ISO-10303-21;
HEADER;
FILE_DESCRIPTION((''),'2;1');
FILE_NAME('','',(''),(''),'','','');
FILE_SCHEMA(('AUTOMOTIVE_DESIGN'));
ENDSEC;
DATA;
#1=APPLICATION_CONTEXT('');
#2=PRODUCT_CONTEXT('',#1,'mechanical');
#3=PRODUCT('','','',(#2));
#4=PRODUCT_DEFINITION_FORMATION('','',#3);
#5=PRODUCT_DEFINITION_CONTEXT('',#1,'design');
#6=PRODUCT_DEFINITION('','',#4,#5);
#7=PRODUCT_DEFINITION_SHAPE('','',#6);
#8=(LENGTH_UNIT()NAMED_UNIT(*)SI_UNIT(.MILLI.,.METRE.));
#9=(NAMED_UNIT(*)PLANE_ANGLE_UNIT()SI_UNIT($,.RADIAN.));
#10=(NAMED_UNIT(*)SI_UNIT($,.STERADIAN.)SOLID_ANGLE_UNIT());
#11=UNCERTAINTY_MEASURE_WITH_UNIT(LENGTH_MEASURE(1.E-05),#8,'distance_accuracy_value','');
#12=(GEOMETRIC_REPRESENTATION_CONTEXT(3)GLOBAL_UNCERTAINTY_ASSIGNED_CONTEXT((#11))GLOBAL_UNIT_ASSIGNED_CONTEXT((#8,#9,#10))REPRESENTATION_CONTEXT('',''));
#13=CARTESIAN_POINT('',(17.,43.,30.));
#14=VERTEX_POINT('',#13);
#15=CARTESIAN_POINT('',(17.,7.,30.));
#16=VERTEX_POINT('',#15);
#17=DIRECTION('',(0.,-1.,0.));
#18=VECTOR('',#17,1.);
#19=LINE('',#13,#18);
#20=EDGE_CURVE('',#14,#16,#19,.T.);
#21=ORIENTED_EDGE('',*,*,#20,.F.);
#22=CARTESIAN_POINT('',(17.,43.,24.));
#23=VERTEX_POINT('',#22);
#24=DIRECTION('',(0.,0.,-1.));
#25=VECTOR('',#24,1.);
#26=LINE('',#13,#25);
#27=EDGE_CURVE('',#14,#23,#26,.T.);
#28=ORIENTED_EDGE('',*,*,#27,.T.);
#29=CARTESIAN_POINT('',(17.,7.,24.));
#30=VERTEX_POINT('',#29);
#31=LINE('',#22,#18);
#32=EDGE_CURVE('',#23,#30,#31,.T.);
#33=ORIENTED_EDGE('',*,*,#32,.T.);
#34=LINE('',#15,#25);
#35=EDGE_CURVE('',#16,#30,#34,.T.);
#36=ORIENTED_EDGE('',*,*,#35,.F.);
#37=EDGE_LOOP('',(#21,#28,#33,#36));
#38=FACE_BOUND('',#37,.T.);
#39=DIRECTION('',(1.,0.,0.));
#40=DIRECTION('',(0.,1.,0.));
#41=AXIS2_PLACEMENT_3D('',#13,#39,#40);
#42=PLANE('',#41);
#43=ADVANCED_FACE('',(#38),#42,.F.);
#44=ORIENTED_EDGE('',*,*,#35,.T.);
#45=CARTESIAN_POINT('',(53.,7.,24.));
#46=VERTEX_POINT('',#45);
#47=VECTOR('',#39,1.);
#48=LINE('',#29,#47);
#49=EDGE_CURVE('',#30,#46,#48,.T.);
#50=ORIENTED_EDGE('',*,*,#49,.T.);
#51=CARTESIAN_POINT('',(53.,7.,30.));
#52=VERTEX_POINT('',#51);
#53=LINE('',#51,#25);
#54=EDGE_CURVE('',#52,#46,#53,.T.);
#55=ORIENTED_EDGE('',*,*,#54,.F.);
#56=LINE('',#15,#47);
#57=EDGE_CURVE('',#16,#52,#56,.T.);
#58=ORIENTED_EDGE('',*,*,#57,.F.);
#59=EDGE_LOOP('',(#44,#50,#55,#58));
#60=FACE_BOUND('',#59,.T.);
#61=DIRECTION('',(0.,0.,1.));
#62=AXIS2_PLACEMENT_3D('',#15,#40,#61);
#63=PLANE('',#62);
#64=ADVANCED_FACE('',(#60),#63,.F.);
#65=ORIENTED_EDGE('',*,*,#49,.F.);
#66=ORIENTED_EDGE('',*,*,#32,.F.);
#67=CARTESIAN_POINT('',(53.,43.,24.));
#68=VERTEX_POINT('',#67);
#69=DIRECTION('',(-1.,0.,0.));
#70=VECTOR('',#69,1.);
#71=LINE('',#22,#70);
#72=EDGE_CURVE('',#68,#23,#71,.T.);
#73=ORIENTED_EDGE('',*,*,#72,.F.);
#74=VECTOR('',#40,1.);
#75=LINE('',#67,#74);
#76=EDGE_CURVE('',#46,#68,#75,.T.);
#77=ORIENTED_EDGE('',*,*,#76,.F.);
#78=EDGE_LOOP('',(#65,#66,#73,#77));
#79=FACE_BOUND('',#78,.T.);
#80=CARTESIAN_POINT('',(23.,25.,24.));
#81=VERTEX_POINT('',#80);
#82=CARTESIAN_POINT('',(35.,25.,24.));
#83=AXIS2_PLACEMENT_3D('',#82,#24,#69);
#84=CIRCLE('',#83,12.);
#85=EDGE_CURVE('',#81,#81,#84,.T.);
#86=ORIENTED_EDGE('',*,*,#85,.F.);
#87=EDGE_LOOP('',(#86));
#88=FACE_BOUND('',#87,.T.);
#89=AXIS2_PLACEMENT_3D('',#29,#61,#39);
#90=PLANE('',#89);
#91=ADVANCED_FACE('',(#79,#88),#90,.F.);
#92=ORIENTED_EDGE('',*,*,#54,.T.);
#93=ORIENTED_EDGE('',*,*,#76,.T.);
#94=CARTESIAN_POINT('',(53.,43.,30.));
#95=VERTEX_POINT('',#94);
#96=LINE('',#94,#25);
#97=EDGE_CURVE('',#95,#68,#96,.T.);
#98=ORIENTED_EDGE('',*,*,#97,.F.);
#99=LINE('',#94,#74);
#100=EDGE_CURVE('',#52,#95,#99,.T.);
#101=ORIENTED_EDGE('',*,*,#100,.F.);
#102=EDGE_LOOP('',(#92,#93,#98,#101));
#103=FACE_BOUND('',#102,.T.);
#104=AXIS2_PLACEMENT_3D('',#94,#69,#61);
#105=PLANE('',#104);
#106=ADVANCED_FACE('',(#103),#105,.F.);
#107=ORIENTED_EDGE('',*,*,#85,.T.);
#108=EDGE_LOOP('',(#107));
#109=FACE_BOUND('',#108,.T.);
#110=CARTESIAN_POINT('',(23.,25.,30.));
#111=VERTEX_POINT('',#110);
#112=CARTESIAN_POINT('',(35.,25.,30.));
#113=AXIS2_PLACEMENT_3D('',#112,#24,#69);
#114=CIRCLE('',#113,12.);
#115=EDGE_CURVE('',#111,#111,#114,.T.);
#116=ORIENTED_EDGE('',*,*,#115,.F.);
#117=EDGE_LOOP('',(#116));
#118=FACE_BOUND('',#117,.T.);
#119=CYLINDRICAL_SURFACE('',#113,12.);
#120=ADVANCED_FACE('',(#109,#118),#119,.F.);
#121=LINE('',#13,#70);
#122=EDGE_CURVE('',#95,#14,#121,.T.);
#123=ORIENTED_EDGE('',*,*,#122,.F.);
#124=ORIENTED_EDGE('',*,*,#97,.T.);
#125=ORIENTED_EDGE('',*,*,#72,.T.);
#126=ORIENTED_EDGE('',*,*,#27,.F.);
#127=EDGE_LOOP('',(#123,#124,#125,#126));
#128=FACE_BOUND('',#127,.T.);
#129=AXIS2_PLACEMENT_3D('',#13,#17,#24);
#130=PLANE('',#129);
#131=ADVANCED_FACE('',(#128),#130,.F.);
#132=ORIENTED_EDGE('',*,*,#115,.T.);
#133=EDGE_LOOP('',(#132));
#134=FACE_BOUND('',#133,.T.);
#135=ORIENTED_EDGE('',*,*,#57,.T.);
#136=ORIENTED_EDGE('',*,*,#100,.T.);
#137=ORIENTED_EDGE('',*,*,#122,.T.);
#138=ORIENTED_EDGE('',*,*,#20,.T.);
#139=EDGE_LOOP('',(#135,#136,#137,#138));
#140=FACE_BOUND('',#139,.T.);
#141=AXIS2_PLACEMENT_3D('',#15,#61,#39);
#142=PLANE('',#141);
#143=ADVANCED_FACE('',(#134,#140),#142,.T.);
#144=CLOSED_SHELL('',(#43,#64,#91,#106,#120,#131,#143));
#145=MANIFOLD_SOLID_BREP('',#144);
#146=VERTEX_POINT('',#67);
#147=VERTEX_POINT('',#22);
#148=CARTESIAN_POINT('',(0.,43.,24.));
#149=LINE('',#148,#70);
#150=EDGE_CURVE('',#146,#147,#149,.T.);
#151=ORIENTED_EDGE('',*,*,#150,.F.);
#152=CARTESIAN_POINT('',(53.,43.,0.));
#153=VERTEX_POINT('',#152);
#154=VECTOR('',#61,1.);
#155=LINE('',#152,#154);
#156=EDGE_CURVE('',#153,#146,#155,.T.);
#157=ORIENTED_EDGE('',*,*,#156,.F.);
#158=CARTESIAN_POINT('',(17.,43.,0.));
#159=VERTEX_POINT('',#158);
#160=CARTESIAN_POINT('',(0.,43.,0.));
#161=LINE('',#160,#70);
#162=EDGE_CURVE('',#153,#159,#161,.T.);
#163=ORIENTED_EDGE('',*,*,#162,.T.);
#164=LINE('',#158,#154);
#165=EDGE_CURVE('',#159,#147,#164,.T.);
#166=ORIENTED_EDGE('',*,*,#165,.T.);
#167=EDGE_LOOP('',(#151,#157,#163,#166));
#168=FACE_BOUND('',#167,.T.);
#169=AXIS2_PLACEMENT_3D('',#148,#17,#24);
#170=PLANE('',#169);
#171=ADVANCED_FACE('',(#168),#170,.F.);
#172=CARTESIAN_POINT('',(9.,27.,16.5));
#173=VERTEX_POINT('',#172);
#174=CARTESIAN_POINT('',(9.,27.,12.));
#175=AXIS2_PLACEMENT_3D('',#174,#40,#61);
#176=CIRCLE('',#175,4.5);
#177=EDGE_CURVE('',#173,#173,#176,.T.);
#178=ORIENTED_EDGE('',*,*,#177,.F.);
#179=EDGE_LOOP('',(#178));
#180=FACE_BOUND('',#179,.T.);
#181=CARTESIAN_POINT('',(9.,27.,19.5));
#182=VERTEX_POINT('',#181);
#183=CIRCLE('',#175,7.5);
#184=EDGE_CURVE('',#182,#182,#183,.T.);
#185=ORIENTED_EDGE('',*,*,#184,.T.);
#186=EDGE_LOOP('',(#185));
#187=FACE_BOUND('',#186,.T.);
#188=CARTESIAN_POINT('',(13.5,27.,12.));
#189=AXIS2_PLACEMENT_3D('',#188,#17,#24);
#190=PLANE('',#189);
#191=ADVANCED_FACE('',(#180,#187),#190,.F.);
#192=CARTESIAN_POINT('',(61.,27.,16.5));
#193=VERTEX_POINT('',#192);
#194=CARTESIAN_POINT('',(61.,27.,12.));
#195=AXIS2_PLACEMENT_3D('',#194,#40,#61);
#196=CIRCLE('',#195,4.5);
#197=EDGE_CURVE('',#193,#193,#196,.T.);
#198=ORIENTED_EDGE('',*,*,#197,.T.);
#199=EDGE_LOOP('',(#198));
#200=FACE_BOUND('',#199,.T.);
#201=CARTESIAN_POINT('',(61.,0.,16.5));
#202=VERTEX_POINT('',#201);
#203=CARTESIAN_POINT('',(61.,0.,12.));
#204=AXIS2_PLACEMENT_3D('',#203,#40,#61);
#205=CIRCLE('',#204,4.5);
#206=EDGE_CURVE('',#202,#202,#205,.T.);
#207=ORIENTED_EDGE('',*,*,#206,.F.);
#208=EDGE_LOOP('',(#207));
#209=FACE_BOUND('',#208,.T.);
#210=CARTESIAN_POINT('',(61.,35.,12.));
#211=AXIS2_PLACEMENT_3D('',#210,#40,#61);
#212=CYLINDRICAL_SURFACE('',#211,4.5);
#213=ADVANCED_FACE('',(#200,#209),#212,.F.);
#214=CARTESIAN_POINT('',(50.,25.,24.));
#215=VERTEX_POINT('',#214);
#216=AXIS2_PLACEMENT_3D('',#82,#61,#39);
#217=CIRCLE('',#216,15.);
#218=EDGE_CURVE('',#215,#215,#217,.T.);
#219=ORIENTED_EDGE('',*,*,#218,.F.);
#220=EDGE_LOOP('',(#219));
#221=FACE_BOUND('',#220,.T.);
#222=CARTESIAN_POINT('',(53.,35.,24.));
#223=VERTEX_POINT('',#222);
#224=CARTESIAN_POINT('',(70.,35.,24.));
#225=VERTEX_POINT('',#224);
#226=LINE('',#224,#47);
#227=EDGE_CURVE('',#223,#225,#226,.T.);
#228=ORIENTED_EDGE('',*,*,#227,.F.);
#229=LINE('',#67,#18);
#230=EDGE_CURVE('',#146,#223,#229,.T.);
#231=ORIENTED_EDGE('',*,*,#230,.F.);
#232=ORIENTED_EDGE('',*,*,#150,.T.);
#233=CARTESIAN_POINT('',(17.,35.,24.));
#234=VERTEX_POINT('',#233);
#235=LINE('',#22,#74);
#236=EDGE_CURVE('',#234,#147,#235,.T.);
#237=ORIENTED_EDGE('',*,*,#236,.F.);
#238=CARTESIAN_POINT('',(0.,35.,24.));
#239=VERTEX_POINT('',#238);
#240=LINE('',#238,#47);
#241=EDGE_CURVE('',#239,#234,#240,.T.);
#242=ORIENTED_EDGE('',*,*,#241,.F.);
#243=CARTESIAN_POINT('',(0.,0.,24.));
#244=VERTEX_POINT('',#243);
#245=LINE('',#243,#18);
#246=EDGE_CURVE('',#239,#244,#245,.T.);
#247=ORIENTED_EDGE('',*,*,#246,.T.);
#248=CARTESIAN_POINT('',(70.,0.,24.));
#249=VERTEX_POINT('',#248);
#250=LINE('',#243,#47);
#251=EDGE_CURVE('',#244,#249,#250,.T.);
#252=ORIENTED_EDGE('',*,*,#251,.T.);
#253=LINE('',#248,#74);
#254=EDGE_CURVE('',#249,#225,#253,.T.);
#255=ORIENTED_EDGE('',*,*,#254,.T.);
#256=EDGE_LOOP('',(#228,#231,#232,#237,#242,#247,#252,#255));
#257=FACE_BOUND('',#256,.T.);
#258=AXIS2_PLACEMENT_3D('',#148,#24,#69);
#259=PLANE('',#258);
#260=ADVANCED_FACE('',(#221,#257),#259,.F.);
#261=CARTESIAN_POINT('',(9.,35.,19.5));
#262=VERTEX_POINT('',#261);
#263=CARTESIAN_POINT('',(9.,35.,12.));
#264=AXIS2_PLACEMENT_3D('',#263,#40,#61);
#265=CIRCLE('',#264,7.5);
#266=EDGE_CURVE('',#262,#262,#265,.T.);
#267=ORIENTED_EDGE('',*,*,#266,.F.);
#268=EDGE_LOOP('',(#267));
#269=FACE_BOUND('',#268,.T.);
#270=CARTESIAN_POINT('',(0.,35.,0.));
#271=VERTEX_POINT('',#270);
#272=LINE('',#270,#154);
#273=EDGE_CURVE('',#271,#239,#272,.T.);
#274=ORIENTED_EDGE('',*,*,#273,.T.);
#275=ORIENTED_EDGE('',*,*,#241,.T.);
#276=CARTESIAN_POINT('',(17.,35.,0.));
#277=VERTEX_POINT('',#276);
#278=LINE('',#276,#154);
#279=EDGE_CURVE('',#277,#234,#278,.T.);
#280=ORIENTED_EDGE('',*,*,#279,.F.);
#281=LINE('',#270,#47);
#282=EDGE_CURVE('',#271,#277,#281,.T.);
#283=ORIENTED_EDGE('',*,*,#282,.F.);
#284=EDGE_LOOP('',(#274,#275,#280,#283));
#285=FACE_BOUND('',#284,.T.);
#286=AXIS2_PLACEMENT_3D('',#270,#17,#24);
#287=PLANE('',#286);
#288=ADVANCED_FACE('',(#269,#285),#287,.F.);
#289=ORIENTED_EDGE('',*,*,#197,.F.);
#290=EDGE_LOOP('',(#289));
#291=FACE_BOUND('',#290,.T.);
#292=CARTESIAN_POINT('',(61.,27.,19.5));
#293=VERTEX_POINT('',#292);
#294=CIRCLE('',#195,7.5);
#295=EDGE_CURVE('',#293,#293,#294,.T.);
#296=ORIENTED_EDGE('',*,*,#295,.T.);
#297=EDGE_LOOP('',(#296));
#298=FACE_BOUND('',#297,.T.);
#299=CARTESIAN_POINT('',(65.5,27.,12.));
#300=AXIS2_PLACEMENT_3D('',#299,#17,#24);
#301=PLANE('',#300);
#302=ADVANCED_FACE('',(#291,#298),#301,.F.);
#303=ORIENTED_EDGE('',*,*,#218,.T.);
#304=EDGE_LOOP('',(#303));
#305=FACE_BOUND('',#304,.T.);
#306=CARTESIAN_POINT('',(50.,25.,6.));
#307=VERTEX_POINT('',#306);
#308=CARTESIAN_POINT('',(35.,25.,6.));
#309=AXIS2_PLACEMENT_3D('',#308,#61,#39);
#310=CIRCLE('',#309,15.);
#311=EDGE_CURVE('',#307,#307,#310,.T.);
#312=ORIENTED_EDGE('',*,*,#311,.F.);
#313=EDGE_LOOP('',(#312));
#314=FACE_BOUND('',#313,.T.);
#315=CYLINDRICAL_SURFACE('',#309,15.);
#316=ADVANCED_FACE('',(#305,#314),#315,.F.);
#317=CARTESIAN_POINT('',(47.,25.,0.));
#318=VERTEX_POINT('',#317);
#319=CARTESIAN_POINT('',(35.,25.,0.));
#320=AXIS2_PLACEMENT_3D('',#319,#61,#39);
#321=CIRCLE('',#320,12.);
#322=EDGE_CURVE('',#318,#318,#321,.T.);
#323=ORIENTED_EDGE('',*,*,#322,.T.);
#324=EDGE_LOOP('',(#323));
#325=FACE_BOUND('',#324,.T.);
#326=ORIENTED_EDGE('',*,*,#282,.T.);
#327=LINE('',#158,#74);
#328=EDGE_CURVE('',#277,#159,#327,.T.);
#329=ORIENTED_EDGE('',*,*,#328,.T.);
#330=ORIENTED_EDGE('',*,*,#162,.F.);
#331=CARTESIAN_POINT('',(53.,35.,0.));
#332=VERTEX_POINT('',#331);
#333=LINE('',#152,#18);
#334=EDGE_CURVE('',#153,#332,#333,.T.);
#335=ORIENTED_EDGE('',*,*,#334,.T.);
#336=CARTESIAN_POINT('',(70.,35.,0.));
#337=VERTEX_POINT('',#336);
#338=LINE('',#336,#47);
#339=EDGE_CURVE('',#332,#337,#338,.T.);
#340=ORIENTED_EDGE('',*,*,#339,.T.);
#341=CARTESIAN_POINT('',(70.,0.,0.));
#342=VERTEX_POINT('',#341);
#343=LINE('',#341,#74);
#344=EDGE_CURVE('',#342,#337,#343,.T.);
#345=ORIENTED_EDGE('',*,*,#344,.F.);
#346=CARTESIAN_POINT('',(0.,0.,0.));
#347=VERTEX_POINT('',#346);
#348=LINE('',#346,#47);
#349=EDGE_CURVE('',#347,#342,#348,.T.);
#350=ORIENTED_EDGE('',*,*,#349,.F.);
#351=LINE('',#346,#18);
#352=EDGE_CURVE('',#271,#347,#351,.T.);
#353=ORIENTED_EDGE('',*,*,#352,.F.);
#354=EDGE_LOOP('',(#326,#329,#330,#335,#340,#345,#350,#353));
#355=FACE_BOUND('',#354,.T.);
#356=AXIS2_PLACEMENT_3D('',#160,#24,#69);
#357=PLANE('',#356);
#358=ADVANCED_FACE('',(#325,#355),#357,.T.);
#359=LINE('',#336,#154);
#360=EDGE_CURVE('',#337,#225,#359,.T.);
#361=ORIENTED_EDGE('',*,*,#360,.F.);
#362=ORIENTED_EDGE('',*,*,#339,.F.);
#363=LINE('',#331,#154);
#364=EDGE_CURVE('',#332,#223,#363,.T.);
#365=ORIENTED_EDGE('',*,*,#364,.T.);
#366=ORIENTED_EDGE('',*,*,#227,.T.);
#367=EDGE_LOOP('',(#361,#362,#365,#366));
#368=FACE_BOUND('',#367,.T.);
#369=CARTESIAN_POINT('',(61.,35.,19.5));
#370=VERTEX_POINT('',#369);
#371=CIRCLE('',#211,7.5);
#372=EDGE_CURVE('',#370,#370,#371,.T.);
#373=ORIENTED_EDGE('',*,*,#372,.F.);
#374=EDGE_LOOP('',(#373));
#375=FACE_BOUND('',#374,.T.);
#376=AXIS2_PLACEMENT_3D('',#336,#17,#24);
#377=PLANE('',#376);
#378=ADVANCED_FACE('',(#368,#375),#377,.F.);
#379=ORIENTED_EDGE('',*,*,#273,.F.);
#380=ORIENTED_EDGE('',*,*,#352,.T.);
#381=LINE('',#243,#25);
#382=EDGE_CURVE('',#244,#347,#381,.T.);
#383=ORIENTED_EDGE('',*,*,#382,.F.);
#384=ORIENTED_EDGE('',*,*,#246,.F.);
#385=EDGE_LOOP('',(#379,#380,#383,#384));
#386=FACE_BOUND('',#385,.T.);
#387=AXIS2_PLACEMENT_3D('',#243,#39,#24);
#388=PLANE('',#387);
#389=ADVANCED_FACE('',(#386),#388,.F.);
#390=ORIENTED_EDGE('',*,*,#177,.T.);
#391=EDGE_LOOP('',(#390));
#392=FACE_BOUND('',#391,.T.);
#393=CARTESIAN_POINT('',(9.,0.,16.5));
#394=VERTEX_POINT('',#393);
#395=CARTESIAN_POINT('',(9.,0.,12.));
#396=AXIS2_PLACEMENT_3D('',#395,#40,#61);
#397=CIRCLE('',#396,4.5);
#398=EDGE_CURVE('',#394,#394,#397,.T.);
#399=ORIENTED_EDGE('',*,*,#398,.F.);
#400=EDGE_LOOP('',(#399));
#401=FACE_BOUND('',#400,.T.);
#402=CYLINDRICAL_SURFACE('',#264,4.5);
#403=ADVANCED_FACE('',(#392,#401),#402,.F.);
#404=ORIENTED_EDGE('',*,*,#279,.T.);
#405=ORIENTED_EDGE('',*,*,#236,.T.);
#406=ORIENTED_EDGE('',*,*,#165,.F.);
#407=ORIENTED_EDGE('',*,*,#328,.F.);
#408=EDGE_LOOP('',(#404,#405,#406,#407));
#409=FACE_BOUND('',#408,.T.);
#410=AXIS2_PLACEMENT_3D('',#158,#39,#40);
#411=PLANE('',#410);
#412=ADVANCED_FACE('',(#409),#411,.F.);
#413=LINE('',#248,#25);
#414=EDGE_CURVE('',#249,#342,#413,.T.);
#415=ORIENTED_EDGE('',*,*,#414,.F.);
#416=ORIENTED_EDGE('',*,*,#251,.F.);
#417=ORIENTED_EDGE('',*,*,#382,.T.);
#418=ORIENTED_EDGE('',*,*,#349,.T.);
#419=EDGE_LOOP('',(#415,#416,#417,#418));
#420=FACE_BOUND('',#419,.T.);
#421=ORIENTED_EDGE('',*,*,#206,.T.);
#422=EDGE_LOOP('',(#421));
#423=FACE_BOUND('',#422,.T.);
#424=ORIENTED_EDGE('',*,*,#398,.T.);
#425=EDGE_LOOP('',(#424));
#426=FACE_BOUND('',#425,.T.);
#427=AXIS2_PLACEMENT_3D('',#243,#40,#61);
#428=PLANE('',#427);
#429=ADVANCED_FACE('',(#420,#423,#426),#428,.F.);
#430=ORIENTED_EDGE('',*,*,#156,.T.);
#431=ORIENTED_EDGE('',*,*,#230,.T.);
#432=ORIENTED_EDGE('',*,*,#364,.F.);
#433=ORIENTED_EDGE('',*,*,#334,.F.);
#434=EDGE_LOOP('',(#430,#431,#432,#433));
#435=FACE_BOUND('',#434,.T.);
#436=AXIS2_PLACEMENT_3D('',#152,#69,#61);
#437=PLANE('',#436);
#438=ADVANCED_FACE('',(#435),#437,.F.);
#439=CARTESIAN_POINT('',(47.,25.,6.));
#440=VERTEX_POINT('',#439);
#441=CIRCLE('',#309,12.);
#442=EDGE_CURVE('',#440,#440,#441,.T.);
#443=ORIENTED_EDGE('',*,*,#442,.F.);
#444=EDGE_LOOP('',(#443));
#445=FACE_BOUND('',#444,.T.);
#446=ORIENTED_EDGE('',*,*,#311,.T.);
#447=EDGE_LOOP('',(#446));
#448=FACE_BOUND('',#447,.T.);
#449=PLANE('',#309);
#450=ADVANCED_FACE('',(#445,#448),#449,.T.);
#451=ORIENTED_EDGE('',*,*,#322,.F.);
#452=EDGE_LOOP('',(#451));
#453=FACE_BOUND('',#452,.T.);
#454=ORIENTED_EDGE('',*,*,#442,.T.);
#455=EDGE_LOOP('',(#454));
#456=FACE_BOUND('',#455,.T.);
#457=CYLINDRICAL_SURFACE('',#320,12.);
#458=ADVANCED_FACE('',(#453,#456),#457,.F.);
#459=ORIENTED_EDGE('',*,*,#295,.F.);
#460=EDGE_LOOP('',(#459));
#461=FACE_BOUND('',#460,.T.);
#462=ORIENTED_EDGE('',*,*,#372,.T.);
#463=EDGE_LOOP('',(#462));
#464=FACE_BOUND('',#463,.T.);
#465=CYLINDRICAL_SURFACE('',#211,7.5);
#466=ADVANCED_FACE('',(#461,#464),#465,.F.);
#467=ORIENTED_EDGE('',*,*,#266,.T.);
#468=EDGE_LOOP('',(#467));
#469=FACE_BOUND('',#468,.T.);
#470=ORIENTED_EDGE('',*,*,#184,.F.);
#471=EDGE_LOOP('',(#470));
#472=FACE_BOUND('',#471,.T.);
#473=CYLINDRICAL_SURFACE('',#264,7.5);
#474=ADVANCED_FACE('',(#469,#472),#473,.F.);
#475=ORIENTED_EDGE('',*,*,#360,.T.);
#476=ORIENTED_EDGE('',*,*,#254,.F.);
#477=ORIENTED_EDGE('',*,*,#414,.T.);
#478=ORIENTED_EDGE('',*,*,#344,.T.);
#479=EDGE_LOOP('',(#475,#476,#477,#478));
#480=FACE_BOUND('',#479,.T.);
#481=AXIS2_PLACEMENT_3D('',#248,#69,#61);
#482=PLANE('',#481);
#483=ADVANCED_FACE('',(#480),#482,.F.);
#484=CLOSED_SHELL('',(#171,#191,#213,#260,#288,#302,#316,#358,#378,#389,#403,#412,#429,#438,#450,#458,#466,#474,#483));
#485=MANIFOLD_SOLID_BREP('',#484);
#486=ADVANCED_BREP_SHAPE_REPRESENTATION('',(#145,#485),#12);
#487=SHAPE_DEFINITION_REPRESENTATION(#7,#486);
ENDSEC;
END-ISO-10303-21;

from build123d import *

# Parameters (mm, degrees)
SKETCH_1_W                  = 70
SKETCH_1_H                  = 43
EXTRUDE_1_DEPTH             = 24
SKETCH_2_W                  = 17
SKETCH_2_H                  = 8
CUT_EXTRUDE_1_DEPTH         = 86.586213843
SKETCH_3_R                  = 15
CUT_EXTRUDE_2_DEPTH         = 18
SKETCH_4_R                  = 12
CUT_EXTRUDE_3_DEPTH         = 85.1011296
SKETCH_5_W                  = 36
SKETCH_5_H                  = 36
EXTRUDE_2_DEPTH             = 6
SKETCH_6_R                  = 12
CUT_EXTRUDE_4_DEPTH         = 86.586213843
HOLE_WIZARD_M8_1_AT_2_COUNT = 2
HOLE_WIZARD_M8_1_AT_2_PITCH = 52


with BuildPart() as part:
    # 草图1 → 凸台-拉伸1 (new body)
    with BuildSketch(Plane.XY):
        with Locations((35, 21.5)):
            Rectangle(SKETCH_1_W, SKETCH_1_H)
    extrude(amount=EXTRUDE_1_DEPTH)

    # 草图2 → 切除-拉伸1 (cut, through all)
    with BuildSketch(Plane.XY.offset(24)):
        with Locations((8.5, 39)):
            Rectangle(SKETCH_2_W, SKETCH_2_H)
        with Locations((61.5, 39)):
            Rectangle(SKETCH_2_W, SKETCH_2_H)
    extrude(amount=-CUT_EXTRUDE_1_DEPTH, mode=Mode.SUBTRACT)

    # 草图3 → 切除-拉伸2 (cut)
    with BuildSketch(Plane.XY.offset(24)):
        with Locations((35, 25)):
            Circle(SKETCH_3_R)
    extrude(amount=-CUT_EXTRUDE_2_DEPTH, mode=Mode.SUBTRACT)

    # 草图4 → 切除-拉伸3 (cut, through all)
    with BuildSketch(Plane.XY.offset(6)):
        with Locations((35, 25)):
            Circle(SKETCH_4_R)
    extrude(amount=-CUT_EXTRUDE_3_DEPTH, mode=Mode.SUBTRACT)

    # 草图7 → M8 六角凹头螺钉的柱形沉头孔1 (revolve, cut)
    with BuildSketch(Plane(origin=(61, 35, 12), x_dir=(0, 0, 1), z_dir=(1, 0, 0))):
        Polygon((0, 0), (0, 35), (4.5, 35), (4.5, 8), (7.5, 8), (7.5, 0), align=None)
    hole_wizard_m8_1 = revolve(axis=Axis((61, 41.35, 12), (0, -1, 0)), mode=Mode.SUBTRACT)

    # M8 六角凹头螺钉的柱形沉头孔1 at 2: M8 六角凹头螺钉的柱形沉头孔1 ×2
    with Locations(*[(-i * HOLE_WIZARD_M8_1_AT_2_PITCH, 0, 0) for i in range(1, HOLE_WIZARD_M8_1_AT_2_COUNT)]):
        add(hole_wizard_m8_1, mode=Mode.SUBTRACT)


with BuildPart() as body_2:
    # 草图5 → 凸台-拉伸2 (new body)
    with BuildSketch(Plane.XY.offset(24)):
        with Locations((35, 25)):
            Rectangle(SKETCH_5_W, SKETCH_5_H)
    extrude(amount=EXTRUDE_2_DEPTH)

    # 草图6 → 切除-拉伸4 (cut, through all)
    with BuildSketch(Plane(origin=(0, 0, 24), x_dir=(-1, 0, 0), z_dir=(0, 0, -1))):
        with Locations((-35, 25)):
            Circle(SKETCH_6_R)
    extrude(amount=-CUT_EXTRUDE_4_DEPTH, mode=Mode.SUBTRACT)


solid = Compound([part.part, body_2.part])
